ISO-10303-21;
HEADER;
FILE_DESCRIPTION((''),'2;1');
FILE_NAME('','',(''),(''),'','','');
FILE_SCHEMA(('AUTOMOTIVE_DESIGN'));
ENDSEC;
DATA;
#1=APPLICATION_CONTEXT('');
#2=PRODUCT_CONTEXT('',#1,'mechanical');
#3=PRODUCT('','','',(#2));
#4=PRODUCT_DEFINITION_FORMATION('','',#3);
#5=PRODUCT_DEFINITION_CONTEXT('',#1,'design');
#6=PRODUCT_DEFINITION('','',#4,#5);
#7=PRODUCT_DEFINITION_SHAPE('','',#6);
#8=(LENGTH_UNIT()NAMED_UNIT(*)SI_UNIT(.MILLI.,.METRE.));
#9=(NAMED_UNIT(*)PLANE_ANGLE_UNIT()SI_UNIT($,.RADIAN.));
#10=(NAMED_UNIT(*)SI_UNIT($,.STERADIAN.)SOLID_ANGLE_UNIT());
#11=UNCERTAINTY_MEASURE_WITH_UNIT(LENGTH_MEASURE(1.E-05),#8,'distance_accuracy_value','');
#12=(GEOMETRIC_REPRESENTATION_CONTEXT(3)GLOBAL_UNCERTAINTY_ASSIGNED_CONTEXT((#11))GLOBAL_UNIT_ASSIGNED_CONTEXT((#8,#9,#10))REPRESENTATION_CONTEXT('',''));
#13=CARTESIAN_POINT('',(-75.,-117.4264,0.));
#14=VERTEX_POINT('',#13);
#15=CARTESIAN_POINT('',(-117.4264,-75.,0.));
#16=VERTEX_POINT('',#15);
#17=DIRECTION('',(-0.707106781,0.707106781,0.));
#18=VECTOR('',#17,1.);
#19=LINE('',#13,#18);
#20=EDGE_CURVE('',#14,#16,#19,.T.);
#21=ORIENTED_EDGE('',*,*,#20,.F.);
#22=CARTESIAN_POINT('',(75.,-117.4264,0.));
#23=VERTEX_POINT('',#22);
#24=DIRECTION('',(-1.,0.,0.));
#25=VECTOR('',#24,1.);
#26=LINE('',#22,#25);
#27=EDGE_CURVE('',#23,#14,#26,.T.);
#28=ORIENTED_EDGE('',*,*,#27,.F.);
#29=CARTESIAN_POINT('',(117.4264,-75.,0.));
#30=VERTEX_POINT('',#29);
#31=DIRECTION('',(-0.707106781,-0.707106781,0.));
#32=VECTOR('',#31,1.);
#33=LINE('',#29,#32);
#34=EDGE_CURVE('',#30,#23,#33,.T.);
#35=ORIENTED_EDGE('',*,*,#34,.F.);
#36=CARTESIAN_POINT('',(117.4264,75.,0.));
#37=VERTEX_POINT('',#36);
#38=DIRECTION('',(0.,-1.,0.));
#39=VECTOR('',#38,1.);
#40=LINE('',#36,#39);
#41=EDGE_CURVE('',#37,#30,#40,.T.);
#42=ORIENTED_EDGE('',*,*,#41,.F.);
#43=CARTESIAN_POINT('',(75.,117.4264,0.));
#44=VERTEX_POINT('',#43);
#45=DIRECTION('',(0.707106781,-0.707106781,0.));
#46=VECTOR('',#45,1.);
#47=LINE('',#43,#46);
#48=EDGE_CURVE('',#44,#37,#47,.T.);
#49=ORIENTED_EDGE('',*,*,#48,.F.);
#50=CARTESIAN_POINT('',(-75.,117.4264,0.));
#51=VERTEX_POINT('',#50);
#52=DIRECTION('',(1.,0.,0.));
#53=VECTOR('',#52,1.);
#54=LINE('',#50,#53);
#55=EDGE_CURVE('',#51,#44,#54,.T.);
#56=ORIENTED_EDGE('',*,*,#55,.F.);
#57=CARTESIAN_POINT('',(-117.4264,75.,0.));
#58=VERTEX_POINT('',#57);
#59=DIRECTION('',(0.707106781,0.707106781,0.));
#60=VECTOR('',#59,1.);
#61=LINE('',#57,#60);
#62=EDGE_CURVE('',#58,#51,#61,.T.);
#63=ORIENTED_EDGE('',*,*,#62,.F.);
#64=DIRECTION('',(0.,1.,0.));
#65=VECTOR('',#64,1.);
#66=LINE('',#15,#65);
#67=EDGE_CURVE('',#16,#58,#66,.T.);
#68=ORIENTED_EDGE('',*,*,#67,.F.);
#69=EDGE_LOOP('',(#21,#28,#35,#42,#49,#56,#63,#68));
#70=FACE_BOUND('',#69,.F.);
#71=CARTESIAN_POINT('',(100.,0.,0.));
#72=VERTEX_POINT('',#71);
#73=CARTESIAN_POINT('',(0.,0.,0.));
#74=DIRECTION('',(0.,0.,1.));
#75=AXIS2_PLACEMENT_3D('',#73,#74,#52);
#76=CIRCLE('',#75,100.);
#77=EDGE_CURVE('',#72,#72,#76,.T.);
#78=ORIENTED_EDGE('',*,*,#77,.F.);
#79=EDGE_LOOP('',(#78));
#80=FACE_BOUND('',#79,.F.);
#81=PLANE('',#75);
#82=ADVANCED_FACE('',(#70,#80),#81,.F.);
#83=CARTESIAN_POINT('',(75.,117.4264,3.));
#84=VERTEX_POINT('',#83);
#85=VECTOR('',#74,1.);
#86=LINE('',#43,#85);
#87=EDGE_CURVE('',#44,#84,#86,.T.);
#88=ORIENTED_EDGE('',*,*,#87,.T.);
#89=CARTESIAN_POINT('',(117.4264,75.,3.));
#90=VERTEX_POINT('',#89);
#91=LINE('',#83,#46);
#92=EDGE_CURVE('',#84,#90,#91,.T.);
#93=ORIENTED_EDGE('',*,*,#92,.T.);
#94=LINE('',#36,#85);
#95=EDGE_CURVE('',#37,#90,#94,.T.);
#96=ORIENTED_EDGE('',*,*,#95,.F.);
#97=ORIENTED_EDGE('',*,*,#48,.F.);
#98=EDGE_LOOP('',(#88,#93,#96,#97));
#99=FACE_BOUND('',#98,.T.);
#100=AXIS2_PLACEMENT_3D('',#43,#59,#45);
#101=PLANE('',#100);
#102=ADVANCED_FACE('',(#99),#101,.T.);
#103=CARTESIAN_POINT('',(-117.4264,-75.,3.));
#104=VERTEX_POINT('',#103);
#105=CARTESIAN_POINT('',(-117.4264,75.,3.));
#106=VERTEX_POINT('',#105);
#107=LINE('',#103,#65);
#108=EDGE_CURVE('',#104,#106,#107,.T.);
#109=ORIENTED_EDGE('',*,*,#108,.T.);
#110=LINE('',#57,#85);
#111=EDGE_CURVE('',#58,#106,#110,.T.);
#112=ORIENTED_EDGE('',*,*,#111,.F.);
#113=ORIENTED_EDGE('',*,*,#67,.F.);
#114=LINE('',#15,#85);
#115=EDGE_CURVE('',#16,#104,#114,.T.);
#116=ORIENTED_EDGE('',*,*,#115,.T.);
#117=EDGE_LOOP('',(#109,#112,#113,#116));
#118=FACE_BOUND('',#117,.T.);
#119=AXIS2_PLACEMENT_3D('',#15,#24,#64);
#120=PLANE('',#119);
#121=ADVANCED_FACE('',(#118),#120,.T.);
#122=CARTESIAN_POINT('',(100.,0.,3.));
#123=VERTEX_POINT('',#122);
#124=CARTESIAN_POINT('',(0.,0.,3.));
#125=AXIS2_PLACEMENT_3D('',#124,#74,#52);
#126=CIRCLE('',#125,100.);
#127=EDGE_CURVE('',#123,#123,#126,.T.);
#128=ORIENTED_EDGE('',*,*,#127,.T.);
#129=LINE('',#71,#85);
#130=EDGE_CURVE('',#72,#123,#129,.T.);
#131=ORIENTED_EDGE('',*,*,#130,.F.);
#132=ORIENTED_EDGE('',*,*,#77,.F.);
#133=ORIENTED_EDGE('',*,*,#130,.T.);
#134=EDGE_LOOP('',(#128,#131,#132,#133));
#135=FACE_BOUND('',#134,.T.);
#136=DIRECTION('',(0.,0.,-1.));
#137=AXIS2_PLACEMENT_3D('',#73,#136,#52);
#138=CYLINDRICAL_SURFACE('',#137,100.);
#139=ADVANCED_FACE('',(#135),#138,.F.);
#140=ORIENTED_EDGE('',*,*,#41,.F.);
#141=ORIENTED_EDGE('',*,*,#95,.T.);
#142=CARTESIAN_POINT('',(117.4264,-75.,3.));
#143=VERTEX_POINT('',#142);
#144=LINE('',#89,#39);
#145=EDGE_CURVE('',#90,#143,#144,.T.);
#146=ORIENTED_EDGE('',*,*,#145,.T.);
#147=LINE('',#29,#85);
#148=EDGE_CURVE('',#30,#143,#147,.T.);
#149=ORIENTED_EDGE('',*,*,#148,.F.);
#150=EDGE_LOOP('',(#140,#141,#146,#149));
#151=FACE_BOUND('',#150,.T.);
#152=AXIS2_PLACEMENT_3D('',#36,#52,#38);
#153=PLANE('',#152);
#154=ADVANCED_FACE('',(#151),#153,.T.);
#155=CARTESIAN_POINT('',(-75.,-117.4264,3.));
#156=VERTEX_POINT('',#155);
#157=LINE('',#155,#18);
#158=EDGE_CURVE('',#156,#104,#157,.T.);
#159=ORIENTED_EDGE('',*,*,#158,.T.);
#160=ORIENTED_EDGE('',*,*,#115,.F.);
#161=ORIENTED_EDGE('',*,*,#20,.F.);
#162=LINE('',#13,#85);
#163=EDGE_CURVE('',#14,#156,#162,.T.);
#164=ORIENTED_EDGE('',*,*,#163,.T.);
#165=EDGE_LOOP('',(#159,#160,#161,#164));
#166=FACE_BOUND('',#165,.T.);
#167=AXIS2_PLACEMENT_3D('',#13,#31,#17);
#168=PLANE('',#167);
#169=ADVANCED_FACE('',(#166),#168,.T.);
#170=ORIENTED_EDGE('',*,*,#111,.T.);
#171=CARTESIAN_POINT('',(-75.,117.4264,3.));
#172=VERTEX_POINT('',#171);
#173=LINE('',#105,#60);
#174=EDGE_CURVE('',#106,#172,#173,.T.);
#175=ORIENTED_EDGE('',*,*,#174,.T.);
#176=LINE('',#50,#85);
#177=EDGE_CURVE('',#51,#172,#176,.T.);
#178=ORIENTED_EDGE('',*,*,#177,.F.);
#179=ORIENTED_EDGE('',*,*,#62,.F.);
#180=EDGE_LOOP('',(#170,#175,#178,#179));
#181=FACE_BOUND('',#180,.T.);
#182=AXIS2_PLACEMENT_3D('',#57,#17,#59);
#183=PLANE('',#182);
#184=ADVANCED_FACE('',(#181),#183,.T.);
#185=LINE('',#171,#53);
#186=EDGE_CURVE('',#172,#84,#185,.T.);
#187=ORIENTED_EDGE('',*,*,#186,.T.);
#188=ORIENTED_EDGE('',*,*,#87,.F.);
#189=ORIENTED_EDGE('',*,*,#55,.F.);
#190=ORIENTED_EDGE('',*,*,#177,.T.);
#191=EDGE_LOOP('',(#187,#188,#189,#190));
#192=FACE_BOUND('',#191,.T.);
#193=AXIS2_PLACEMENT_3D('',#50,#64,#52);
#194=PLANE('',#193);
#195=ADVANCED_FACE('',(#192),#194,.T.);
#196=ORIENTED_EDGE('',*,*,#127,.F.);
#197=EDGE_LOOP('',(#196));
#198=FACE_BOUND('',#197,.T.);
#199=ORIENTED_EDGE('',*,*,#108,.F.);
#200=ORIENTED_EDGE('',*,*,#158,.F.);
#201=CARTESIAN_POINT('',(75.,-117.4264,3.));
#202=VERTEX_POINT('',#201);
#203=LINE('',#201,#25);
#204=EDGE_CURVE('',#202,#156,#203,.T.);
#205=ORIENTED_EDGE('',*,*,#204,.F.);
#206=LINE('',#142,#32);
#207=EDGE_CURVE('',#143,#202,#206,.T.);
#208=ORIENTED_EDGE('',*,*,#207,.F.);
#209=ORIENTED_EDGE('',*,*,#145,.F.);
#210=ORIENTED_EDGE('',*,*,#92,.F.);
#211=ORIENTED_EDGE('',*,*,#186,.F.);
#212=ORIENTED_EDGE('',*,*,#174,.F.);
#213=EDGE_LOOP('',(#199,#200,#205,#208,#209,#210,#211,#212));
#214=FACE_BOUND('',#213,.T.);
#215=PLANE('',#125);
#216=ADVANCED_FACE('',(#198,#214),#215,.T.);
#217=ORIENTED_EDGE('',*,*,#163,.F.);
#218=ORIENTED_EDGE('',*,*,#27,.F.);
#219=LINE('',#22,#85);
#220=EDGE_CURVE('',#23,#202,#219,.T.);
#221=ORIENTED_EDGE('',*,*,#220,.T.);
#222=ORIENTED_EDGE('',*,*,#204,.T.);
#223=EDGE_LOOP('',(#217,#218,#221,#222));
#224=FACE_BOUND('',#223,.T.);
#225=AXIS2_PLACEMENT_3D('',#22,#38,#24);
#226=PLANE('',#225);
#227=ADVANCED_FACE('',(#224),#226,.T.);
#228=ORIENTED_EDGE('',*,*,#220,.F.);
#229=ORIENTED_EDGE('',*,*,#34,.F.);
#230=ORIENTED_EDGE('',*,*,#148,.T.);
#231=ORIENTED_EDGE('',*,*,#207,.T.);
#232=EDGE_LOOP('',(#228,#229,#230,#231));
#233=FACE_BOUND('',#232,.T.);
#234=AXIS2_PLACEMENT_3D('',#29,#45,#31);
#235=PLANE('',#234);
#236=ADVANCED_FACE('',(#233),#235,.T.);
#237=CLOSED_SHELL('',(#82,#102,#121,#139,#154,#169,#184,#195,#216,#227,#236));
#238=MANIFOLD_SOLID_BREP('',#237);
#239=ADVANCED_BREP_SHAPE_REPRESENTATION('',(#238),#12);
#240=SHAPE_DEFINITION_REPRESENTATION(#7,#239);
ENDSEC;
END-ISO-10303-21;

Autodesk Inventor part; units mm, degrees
ref_plane "YZ Plane" through (0, 0, 0) normal (1, 0, 0) x (0, 1, 0)
ref_plane "XZ Plane" through (0, 0, 0) normal (0, 1, 0) x (-1, 0, 0)
ref_plane "XY Plane" through (0, 0, 0) normal (0, 0, 1) x (1, 0, 0)
sketch "Sketch1" plane through (0, 0, 0) normal (0, 0, 1) x (1, 0, 0)
  circle A0 centre (0, 0) radius 100
  line L0 (-117.4264, -75) -> (-117.4264, 75)
  line L1 (-117.4264, 75) -> (-75, 117.4264)
  line L2 (-75, 117.4264) -> (75, 117.4264)
  line L3 (75, 117.4264) -> (117.4264, 75)
  line L4 (117.4264, 75) -> (117.4264, -75)
  line L5 (117.4264, -75) -> (75, -117.4264)
  line L6 (75, -117.4264) -> (-75, -117.4264)
  line L7 (-75, -117.4264) -> (-117.4264, -75)
  point P0 (-117.4264, 0)
  point P1 (117.4264, 0)
  point P2 (0, 117.4264)
  point P3 (0, -117.4264)
  dimension "d22" = 200
  dimension "d33" = 150
  dimension "d35" = 60
extrude "Plate1" add sketch "Sketch1" along normal blind 3
equation "\"d33\" = Wall_1_width"
equation "\"d35\" = Wall_2_width"
equation "\"d2\" = Thickness"
equation "\"BendReliefWidth\" = Thickness"
equation "\"BendReliefDepth\" = 0.5 * Thickness"
equation "\"CornerReliefSize\" = 4 * Thickness"
equation "\"MinimumRemnant\" = 2 * Thickness"
equation "\"TransitionRadius\" = BendRadius"
equation "\"JacobiRadiusSize\" = BendRadius"
equation "\"GapSize\" = Thickness"
equation "\"Wall_1_width\" = 150"
equation "\"Wall_2_width\" = 60"
equation "\"Thickness\" = 3"
equation "\"BendRadius\" = 5"
properties part number "ANP 1453 BOTTOM DS reduce flange" material "Stainless Steel"
